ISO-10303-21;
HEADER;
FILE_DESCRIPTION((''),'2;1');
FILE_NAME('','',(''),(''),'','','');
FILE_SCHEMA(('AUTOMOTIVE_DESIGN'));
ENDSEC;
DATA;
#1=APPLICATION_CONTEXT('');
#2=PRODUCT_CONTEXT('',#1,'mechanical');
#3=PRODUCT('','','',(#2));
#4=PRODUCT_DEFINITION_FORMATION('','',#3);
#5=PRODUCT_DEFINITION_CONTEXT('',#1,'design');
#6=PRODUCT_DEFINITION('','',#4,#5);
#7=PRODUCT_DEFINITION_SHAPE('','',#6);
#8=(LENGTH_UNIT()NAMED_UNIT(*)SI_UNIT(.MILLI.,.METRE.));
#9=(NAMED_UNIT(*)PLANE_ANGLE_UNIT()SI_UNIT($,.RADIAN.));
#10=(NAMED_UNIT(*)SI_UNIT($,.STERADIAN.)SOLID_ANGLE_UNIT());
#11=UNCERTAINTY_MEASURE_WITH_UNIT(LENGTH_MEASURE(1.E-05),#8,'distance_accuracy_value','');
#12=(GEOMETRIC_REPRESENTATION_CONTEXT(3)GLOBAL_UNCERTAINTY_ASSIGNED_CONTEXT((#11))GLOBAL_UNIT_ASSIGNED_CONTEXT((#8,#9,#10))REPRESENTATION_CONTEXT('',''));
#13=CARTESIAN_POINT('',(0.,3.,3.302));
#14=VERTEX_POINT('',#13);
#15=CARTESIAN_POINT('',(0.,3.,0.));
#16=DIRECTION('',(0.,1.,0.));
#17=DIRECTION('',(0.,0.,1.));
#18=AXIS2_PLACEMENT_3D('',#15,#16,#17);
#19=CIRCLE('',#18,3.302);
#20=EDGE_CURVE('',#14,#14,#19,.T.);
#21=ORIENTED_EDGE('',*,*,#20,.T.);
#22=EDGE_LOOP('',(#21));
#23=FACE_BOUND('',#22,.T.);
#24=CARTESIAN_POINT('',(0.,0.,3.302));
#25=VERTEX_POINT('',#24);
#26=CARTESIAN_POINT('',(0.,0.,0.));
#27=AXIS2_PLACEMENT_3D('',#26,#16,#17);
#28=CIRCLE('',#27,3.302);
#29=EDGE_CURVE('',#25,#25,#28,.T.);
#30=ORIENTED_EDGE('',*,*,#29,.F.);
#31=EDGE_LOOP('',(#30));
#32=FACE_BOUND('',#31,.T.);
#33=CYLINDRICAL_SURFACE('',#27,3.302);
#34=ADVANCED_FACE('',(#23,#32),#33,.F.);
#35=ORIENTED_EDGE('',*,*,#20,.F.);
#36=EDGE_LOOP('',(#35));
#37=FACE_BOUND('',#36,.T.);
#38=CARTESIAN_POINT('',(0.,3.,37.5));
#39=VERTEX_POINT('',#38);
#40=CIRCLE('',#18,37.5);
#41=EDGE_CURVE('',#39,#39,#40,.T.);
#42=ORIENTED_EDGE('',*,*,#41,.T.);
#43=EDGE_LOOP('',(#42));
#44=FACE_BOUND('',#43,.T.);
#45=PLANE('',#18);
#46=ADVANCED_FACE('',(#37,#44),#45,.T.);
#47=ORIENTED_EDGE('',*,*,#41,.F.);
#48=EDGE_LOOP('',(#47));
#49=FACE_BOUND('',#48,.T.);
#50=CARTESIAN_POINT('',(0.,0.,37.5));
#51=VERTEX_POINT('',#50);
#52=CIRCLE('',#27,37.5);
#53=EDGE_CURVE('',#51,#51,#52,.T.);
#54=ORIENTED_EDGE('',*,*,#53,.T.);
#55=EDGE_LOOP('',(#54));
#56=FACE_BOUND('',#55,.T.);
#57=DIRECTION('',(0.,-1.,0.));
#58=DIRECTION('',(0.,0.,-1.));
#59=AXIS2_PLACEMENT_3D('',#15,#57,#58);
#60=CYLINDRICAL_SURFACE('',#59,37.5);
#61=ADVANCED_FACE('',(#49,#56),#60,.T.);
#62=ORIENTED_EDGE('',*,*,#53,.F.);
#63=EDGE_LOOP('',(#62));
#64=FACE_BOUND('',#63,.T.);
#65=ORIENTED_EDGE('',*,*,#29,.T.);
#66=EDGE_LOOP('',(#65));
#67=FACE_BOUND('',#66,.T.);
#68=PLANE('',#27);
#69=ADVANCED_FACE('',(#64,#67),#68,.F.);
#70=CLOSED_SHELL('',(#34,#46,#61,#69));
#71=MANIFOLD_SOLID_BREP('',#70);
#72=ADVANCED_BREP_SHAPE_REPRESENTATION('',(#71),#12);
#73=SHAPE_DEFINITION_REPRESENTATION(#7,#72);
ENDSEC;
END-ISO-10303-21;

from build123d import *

# Parameters (mm, degrees)
SKETCH1_R           = 37.5
BOSS_EXTRUDE1_DEPTH = 3
SKETCH2_R           = 3.302
CUT_EXTRUDE1_DEPTH  = 4


with BuildPart() as part:
    # Sketch1 → Boss-Extrude1 (new body)
    with BuildSketch(Plane(origin=(0, 0, 0), x_dir=(1, 0, 0), z_dir=(0, 1, 0))):
        Circle(SKETCH1_R)
    extrude(amount=BOSS_EXTRUDE1_DEPTH)

    # Sketch2 → Cut-Extrude1 (cut, through all)
    with BuildSketch(Plane(origin=(0, 3, 0), x_dir=(1, 0, 0), z_dir=(0, 1, 0))):
        Circle(SKETCH2_R)
    extrude(amount=-CUT_EXTRUDE1_DEPTH, mode=Mode.SUBTRACT)


solid = part.part
